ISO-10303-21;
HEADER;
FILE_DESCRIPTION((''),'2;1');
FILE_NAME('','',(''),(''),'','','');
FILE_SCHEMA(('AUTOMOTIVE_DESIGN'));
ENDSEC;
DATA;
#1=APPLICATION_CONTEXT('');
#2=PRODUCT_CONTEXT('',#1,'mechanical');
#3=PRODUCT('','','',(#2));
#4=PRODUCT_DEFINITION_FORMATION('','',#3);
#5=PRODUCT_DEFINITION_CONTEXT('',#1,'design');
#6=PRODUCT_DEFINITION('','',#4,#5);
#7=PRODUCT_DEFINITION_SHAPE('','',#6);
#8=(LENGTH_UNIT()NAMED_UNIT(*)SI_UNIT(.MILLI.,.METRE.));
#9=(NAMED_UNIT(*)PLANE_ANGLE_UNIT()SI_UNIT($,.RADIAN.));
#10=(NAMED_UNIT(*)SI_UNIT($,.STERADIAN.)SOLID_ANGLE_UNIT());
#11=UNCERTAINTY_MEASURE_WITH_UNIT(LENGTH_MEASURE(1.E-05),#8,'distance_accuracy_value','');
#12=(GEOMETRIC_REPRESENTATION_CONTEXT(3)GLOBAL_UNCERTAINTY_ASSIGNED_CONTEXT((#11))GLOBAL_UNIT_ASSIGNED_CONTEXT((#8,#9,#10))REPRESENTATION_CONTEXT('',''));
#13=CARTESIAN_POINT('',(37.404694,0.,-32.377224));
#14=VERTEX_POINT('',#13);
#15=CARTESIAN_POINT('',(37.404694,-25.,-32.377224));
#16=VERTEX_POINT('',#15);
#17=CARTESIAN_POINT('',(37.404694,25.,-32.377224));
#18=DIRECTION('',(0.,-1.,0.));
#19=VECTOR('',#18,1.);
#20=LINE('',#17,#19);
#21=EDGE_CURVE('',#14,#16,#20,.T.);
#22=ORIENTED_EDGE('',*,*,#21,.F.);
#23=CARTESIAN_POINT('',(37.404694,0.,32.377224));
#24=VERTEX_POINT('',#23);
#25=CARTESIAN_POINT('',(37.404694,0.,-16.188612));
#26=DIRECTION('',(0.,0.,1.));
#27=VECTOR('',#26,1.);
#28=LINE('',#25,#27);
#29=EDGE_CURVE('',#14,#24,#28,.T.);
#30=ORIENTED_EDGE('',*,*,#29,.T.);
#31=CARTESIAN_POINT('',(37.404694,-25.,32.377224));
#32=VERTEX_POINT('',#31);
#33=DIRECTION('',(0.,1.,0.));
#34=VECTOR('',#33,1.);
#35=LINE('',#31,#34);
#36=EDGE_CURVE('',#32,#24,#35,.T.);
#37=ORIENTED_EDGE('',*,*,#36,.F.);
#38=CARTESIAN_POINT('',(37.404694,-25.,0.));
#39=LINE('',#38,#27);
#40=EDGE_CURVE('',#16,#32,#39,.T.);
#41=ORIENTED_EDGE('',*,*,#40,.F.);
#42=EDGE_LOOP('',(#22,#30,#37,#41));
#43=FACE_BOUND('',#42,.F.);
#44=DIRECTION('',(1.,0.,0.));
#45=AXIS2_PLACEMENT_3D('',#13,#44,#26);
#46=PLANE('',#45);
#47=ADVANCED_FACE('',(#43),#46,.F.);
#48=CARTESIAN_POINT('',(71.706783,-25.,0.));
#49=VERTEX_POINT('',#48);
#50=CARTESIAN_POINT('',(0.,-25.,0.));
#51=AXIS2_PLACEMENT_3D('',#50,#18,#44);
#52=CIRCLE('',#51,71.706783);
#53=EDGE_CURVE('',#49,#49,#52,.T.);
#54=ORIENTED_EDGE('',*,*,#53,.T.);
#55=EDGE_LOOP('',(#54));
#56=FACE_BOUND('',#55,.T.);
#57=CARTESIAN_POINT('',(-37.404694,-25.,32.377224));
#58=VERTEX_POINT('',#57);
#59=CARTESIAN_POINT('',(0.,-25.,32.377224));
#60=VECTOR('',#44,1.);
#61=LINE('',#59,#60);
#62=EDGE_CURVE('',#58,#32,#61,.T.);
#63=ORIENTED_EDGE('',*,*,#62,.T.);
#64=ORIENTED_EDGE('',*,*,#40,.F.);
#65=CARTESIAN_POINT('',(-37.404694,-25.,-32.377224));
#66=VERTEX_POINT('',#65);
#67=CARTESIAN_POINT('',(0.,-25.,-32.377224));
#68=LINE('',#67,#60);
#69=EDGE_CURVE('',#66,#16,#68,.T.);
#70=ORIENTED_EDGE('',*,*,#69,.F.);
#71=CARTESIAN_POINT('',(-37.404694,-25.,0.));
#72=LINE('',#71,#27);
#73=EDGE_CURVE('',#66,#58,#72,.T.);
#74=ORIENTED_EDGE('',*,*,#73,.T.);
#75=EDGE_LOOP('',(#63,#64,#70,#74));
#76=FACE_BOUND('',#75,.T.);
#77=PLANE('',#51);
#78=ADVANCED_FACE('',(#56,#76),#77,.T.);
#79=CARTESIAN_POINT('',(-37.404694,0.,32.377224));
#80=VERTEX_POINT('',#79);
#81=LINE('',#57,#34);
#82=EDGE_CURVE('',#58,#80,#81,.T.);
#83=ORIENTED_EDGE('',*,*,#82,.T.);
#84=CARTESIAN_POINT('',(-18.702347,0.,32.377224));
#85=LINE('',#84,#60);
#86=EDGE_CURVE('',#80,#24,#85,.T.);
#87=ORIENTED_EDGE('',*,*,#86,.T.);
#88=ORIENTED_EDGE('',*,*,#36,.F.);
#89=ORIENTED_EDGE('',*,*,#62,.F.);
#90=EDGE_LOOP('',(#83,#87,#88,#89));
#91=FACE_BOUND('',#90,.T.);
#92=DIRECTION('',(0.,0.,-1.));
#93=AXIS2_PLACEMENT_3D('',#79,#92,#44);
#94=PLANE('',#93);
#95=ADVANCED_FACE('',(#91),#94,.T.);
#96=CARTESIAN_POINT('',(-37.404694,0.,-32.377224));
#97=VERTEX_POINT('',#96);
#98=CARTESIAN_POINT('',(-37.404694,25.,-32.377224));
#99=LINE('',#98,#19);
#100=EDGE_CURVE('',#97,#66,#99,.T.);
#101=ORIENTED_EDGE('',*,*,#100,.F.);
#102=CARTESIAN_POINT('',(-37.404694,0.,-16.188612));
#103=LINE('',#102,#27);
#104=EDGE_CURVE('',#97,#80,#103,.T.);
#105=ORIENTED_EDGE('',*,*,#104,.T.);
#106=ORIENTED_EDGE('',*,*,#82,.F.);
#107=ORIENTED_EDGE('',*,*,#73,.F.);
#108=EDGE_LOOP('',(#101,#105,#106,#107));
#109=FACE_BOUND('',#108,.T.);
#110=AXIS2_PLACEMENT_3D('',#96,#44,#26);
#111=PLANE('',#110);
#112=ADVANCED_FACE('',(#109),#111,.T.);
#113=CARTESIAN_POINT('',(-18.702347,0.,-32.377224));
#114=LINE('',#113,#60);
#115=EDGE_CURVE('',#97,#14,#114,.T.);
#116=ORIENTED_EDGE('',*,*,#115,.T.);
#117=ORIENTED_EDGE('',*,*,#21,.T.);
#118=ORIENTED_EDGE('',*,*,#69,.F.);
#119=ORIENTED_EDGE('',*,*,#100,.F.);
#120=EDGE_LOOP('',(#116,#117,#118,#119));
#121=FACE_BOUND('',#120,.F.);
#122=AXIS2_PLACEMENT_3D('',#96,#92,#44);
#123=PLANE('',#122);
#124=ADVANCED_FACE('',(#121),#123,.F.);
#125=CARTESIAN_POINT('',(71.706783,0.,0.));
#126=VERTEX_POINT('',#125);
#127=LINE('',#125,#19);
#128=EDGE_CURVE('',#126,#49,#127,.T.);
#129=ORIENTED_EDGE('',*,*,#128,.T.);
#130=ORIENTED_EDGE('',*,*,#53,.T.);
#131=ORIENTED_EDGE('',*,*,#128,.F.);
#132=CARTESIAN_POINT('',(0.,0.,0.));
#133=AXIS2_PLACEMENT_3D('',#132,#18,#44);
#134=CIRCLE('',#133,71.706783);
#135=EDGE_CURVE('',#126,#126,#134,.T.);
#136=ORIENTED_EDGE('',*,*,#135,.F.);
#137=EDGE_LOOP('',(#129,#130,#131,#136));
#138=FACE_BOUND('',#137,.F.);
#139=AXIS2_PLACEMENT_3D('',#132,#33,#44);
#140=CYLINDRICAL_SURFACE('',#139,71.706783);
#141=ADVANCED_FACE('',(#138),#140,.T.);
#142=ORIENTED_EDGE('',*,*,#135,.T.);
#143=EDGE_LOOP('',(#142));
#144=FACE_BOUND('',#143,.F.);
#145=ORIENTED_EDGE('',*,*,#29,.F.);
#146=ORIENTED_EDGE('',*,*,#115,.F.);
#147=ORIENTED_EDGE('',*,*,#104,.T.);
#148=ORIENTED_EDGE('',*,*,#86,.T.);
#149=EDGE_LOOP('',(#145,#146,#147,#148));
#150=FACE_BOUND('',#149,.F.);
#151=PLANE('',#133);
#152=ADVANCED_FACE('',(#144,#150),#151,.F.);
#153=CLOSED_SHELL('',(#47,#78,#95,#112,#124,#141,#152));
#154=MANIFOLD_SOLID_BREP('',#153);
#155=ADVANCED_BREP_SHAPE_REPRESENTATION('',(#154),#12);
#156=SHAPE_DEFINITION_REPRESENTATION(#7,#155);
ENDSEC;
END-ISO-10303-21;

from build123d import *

# Parameters (mm, degrees)
F0_R     = 71.706783
F2_DEPTH = 25
F1_W     = 74.809388
F1_H     = 64.754448
F3_DEPTH = 25


with BuildPart() as f2:
    # F0 (on Front) → F2 (new body)
    with BuildSketch(Plane.XZ):
        Circle(F0_R)
    extrude(amount=F2_DEPTH)

    # F1 (on face) → F3 (cut, symmetric)
    with BuildSketch(Plane.XZ):
        Rectangle(F1_W, F1_H)
    extrude(amount=F3_DEPTH, both=True, mode=Mode.SUBTRACT)


solid = f2.part
